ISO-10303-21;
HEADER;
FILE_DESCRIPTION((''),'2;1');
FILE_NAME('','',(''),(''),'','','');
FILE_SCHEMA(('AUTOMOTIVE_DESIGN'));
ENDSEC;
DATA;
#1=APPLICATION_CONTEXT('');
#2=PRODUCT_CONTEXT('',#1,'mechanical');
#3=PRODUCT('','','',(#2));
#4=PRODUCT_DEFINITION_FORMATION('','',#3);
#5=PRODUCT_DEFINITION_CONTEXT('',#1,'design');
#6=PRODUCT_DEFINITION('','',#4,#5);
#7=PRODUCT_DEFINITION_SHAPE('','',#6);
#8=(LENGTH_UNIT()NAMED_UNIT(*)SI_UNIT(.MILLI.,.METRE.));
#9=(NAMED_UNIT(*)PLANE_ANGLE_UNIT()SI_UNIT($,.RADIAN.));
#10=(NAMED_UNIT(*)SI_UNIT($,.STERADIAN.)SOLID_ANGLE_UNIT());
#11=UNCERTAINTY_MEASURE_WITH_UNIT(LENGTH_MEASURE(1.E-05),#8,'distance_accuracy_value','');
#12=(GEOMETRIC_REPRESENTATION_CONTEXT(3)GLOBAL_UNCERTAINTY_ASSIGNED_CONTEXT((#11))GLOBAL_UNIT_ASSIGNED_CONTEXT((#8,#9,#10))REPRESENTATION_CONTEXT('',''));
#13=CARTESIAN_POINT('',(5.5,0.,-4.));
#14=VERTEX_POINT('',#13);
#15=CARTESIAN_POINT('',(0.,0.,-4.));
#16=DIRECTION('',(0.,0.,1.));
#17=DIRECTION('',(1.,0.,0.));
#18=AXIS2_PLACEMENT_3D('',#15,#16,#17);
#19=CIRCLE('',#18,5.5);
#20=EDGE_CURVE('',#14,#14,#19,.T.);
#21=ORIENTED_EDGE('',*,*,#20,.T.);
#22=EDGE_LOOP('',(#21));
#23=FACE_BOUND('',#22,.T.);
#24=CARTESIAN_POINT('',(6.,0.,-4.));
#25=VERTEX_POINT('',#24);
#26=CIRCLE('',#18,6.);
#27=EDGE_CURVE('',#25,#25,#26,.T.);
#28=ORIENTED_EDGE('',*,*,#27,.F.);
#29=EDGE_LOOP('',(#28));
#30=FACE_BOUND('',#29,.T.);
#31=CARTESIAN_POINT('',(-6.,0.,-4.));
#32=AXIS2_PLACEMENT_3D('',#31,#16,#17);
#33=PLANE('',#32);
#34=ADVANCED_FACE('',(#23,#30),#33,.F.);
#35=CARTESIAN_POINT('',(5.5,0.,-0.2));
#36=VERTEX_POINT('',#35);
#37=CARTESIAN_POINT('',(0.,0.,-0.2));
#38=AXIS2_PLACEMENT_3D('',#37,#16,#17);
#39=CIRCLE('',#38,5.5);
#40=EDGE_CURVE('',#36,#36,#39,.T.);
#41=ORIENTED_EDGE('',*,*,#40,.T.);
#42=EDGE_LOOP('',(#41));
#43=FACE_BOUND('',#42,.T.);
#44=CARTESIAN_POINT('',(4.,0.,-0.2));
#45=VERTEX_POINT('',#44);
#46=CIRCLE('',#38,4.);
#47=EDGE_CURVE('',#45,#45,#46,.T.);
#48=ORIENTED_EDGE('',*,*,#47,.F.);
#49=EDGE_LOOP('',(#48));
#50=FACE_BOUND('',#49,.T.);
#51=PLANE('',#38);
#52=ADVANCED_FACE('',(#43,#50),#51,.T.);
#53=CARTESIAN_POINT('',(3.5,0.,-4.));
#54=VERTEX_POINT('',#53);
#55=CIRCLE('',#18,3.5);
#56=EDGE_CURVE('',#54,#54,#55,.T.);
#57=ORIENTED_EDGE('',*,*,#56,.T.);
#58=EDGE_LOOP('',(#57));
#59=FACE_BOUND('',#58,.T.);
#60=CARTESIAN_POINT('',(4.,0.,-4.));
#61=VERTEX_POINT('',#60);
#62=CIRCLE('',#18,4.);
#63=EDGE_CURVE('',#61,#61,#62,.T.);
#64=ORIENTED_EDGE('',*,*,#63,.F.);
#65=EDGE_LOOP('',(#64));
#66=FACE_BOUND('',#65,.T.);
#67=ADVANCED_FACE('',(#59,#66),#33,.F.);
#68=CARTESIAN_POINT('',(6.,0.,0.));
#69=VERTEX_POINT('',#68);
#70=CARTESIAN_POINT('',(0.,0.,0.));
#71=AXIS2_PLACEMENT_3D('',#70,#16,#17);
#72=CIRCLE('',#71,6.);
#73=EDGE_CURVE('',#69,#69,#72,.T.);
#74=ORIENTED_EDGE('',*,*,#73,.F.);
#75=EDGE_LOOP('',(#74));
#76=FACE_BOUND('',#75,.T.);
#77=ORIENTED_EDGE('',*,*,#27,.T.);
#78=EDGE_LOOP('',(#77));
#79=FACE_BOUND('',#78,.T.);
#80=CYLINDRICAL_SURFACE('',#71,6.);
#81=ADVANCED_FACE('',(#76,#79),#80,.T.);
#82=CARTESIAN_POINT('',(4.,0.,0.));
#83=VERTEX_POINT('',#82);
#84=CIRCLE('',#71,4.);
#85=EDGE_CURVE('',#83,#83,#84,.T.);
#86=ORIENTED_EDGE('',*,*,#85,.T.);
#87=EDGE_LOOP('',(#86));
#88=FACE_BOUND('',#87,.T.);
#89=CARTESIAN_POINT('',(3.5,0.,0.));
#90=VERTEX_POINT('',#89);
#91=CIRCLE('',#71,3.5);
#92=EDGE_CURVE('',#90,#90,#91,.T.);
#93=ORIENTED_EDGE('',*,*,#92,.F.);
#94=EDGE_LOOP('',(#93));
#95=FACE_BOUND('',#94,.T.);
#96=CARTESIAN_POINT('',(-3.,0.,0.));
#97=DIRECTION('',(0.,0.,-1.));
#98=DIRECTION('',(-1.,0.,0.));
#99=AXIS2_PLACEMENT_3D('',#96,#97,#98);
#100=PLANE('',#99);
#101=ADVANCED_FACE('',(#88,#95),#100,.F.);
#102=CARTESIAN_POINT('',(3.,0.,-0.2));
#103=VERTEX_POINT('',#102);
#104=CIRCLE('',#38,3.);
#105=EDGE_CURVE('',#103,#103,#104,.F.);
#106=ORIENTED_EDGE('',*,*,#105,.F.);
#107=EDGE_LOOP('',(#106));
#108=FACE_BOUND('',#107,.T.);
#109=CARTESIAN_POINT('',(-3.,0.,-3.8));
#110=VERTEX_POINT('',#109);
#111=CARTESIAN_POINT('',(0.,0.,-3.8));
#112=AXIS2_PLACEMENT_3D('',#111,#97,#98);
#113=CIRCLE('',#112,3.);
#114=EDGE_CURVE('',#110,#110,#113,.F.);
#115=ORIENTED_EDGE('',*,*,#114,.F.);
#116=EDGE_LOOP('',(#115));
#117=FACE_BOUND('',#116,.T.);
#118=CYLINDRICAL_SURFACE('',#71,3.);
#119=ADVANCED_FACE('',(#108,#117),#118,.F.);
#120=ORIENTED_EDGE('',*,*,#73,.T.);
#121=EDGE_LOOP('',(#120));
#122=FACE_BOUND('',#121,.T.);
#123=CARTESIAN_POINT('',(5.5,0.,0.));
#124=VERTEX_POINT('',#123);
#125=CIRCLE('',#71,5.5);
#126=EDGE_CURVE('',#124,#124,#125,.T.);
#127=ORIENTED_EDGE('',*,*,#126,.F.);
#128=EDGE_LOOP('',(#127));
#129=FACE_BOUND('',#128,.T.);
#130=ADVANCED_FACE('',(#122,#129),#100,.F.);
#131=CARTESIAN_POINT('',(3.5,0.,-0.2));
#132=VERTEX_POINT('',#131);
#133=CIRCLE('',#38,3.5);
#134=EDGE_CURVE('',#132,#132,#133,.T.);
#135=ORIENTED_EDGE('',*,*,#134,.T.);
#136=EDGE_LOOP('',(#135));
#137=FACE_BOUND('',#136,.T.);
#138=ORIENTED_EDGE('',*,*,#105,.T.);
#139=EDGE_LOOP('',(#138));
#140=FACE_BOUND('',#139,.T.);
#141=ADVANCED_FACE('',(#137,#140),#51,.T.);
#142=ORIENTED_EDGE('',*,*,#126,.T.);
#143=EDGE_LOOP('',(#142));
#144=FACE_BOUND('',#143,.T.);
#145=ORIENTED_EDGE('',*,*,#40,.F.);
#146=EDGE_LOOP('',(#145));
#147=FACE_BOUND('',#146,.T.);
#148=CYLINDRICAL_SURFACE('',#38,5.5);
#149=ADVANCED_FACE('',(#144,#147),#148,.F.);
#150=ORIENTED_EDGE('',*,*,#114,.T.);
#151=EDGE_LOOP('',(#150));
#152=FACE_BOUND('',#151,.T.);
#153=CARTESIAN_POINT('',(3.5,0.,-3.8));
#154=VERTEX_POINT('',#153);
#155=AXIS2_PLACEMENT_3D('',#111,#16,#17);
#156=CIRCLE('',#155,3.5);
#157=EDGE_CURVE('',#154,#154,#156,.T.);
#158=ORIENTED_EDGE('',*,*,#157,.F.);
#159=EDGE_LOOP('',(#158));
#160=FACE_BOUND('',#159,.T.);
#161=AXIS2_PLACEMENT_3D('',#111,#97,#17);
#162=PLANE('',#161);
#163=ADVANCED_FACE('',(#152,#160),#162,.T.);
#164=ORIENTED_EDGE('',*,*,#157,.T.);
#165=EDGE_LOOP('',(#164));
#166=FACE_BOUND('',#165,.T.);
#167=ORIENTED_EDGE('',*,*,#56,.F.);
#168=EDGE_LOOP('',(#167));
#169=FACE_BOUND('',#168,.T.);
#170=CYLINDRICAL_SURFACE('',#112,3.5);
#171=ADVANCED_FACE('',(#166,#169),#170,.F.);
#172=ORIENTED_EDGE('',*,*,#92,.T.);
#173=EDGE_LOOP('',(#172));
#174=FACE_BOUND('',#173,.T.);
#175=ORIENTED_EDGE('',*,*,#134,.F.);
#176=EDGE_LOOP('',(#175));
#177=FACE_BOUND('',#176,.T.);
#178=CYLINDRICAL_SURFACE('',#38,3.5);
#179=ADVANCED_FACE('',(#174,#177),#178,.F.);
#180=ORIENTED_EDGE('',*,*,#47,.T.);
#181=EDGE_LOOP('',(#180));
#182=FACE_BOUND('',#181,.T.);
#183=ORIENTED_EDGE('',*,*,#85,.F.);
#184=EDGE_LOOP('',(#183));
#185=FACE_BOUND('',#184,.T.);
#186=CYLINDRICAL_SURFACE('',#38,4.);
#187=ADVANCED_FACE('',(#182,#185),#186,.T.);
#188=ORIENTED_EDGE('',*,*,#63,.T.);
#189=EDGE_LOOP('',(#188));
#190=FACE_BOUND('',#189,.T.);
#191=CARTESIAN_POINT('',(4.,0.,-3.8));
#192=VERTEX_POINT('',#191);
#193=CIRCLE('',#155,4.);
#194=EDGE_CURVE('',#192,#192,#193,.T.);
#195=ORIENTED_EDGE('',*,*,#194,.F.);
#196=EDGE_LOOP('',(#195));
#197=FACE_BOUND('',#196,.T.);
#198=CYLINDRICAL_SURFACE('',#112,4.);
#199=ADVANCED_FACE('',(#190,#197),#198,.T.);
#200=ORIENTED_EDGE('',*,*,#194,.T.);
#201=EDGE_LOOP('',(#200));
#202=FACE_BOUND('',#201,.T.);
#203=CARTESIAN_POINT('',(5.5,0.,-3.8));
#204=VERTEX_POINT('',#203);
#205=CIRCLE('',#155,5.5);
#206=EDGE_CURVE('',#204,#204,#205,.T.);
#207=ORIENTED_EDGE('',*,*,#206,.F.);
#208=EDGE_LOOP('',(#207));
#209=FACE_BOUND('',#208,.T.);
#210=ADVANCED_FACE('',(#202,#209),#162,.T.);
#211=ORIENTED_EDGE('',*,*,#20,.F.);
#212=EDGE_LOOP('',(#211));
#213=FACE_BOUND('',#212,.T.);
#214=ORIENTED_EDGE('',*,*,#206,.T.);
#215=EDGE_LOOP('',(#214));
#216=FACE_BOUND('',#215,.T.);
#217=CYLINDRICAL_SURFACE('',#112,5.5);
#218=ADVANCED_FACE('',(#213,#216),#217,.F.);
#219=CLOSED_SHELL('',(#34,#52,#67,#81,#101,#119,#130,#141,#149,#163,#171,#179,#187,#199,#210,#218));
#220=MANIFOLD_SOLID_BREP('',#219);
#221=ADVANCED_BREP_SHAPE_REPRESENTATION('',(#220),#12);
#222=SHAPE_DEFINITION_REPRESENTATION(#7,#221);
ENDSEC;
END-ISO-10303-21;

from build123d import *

# Parameters (mm, degrees)
SKETCH_1_W          = 3
SKETCH_1_H          = 4
SKETCH_2_R          = 3.5
CUT_EXTRUDE_1_DEPTH = 0.2
SKETCH_3_R          = 5.5
SKETCH_3_R_2        = 4
CUT_EXTRUDE_2_DEPTH = 0.2


with BuildPart() as part:
    # Эскиз1 → Повернуть1 (revolve)
    with BuildSketch(Plane(origin=(0, 0, 0), x_dir=(1, 0, 0), z_dir=(0, 1, 0))):
        with Locations((-4.5, 2)):
            Rectangle(SKETCH_1_W, SKETCH_1_H)
    revolve(axis=Axis((0, 0, 0), (0, 0, -1)))

    # Эскиз2 → Вырез-Вытянуть1 (cut)
    with BuildSketch(Plane.XY):
        Circle(SKETCH_2_R)
    cut_extrude_1 = extrude(amount=-CUT_EXTRUDE_1_DEPTH, mode=Mode.SUBTRACT)

    # Эскиз3 → Вырез-Вытянуть2 (cut)
    with BuildSketch(Plane.XY):
        Circle(SKETCH_3_R)
        Circle(SKETCH_3_R_2, mode=Mode.SUBTRACT)
    cut_extrude_2 = extrude(amount=-CUT_EXTRUDE_2_DEPTH, mode=Mode.SUBTRACT)

    # Зеркальное отражение1: Вырез-Вытянуть1, Вырез-Вытянуть2 across plane
    add(cut_extrude_1.mirror(Plane.XY.offset(-2)), mode=Mode.SUBTRACT)
    add(cut_extrude_2.mirror(Plane.XY.offset(-2)), mode=Mode.SUBTRACT)


solid = part.part
